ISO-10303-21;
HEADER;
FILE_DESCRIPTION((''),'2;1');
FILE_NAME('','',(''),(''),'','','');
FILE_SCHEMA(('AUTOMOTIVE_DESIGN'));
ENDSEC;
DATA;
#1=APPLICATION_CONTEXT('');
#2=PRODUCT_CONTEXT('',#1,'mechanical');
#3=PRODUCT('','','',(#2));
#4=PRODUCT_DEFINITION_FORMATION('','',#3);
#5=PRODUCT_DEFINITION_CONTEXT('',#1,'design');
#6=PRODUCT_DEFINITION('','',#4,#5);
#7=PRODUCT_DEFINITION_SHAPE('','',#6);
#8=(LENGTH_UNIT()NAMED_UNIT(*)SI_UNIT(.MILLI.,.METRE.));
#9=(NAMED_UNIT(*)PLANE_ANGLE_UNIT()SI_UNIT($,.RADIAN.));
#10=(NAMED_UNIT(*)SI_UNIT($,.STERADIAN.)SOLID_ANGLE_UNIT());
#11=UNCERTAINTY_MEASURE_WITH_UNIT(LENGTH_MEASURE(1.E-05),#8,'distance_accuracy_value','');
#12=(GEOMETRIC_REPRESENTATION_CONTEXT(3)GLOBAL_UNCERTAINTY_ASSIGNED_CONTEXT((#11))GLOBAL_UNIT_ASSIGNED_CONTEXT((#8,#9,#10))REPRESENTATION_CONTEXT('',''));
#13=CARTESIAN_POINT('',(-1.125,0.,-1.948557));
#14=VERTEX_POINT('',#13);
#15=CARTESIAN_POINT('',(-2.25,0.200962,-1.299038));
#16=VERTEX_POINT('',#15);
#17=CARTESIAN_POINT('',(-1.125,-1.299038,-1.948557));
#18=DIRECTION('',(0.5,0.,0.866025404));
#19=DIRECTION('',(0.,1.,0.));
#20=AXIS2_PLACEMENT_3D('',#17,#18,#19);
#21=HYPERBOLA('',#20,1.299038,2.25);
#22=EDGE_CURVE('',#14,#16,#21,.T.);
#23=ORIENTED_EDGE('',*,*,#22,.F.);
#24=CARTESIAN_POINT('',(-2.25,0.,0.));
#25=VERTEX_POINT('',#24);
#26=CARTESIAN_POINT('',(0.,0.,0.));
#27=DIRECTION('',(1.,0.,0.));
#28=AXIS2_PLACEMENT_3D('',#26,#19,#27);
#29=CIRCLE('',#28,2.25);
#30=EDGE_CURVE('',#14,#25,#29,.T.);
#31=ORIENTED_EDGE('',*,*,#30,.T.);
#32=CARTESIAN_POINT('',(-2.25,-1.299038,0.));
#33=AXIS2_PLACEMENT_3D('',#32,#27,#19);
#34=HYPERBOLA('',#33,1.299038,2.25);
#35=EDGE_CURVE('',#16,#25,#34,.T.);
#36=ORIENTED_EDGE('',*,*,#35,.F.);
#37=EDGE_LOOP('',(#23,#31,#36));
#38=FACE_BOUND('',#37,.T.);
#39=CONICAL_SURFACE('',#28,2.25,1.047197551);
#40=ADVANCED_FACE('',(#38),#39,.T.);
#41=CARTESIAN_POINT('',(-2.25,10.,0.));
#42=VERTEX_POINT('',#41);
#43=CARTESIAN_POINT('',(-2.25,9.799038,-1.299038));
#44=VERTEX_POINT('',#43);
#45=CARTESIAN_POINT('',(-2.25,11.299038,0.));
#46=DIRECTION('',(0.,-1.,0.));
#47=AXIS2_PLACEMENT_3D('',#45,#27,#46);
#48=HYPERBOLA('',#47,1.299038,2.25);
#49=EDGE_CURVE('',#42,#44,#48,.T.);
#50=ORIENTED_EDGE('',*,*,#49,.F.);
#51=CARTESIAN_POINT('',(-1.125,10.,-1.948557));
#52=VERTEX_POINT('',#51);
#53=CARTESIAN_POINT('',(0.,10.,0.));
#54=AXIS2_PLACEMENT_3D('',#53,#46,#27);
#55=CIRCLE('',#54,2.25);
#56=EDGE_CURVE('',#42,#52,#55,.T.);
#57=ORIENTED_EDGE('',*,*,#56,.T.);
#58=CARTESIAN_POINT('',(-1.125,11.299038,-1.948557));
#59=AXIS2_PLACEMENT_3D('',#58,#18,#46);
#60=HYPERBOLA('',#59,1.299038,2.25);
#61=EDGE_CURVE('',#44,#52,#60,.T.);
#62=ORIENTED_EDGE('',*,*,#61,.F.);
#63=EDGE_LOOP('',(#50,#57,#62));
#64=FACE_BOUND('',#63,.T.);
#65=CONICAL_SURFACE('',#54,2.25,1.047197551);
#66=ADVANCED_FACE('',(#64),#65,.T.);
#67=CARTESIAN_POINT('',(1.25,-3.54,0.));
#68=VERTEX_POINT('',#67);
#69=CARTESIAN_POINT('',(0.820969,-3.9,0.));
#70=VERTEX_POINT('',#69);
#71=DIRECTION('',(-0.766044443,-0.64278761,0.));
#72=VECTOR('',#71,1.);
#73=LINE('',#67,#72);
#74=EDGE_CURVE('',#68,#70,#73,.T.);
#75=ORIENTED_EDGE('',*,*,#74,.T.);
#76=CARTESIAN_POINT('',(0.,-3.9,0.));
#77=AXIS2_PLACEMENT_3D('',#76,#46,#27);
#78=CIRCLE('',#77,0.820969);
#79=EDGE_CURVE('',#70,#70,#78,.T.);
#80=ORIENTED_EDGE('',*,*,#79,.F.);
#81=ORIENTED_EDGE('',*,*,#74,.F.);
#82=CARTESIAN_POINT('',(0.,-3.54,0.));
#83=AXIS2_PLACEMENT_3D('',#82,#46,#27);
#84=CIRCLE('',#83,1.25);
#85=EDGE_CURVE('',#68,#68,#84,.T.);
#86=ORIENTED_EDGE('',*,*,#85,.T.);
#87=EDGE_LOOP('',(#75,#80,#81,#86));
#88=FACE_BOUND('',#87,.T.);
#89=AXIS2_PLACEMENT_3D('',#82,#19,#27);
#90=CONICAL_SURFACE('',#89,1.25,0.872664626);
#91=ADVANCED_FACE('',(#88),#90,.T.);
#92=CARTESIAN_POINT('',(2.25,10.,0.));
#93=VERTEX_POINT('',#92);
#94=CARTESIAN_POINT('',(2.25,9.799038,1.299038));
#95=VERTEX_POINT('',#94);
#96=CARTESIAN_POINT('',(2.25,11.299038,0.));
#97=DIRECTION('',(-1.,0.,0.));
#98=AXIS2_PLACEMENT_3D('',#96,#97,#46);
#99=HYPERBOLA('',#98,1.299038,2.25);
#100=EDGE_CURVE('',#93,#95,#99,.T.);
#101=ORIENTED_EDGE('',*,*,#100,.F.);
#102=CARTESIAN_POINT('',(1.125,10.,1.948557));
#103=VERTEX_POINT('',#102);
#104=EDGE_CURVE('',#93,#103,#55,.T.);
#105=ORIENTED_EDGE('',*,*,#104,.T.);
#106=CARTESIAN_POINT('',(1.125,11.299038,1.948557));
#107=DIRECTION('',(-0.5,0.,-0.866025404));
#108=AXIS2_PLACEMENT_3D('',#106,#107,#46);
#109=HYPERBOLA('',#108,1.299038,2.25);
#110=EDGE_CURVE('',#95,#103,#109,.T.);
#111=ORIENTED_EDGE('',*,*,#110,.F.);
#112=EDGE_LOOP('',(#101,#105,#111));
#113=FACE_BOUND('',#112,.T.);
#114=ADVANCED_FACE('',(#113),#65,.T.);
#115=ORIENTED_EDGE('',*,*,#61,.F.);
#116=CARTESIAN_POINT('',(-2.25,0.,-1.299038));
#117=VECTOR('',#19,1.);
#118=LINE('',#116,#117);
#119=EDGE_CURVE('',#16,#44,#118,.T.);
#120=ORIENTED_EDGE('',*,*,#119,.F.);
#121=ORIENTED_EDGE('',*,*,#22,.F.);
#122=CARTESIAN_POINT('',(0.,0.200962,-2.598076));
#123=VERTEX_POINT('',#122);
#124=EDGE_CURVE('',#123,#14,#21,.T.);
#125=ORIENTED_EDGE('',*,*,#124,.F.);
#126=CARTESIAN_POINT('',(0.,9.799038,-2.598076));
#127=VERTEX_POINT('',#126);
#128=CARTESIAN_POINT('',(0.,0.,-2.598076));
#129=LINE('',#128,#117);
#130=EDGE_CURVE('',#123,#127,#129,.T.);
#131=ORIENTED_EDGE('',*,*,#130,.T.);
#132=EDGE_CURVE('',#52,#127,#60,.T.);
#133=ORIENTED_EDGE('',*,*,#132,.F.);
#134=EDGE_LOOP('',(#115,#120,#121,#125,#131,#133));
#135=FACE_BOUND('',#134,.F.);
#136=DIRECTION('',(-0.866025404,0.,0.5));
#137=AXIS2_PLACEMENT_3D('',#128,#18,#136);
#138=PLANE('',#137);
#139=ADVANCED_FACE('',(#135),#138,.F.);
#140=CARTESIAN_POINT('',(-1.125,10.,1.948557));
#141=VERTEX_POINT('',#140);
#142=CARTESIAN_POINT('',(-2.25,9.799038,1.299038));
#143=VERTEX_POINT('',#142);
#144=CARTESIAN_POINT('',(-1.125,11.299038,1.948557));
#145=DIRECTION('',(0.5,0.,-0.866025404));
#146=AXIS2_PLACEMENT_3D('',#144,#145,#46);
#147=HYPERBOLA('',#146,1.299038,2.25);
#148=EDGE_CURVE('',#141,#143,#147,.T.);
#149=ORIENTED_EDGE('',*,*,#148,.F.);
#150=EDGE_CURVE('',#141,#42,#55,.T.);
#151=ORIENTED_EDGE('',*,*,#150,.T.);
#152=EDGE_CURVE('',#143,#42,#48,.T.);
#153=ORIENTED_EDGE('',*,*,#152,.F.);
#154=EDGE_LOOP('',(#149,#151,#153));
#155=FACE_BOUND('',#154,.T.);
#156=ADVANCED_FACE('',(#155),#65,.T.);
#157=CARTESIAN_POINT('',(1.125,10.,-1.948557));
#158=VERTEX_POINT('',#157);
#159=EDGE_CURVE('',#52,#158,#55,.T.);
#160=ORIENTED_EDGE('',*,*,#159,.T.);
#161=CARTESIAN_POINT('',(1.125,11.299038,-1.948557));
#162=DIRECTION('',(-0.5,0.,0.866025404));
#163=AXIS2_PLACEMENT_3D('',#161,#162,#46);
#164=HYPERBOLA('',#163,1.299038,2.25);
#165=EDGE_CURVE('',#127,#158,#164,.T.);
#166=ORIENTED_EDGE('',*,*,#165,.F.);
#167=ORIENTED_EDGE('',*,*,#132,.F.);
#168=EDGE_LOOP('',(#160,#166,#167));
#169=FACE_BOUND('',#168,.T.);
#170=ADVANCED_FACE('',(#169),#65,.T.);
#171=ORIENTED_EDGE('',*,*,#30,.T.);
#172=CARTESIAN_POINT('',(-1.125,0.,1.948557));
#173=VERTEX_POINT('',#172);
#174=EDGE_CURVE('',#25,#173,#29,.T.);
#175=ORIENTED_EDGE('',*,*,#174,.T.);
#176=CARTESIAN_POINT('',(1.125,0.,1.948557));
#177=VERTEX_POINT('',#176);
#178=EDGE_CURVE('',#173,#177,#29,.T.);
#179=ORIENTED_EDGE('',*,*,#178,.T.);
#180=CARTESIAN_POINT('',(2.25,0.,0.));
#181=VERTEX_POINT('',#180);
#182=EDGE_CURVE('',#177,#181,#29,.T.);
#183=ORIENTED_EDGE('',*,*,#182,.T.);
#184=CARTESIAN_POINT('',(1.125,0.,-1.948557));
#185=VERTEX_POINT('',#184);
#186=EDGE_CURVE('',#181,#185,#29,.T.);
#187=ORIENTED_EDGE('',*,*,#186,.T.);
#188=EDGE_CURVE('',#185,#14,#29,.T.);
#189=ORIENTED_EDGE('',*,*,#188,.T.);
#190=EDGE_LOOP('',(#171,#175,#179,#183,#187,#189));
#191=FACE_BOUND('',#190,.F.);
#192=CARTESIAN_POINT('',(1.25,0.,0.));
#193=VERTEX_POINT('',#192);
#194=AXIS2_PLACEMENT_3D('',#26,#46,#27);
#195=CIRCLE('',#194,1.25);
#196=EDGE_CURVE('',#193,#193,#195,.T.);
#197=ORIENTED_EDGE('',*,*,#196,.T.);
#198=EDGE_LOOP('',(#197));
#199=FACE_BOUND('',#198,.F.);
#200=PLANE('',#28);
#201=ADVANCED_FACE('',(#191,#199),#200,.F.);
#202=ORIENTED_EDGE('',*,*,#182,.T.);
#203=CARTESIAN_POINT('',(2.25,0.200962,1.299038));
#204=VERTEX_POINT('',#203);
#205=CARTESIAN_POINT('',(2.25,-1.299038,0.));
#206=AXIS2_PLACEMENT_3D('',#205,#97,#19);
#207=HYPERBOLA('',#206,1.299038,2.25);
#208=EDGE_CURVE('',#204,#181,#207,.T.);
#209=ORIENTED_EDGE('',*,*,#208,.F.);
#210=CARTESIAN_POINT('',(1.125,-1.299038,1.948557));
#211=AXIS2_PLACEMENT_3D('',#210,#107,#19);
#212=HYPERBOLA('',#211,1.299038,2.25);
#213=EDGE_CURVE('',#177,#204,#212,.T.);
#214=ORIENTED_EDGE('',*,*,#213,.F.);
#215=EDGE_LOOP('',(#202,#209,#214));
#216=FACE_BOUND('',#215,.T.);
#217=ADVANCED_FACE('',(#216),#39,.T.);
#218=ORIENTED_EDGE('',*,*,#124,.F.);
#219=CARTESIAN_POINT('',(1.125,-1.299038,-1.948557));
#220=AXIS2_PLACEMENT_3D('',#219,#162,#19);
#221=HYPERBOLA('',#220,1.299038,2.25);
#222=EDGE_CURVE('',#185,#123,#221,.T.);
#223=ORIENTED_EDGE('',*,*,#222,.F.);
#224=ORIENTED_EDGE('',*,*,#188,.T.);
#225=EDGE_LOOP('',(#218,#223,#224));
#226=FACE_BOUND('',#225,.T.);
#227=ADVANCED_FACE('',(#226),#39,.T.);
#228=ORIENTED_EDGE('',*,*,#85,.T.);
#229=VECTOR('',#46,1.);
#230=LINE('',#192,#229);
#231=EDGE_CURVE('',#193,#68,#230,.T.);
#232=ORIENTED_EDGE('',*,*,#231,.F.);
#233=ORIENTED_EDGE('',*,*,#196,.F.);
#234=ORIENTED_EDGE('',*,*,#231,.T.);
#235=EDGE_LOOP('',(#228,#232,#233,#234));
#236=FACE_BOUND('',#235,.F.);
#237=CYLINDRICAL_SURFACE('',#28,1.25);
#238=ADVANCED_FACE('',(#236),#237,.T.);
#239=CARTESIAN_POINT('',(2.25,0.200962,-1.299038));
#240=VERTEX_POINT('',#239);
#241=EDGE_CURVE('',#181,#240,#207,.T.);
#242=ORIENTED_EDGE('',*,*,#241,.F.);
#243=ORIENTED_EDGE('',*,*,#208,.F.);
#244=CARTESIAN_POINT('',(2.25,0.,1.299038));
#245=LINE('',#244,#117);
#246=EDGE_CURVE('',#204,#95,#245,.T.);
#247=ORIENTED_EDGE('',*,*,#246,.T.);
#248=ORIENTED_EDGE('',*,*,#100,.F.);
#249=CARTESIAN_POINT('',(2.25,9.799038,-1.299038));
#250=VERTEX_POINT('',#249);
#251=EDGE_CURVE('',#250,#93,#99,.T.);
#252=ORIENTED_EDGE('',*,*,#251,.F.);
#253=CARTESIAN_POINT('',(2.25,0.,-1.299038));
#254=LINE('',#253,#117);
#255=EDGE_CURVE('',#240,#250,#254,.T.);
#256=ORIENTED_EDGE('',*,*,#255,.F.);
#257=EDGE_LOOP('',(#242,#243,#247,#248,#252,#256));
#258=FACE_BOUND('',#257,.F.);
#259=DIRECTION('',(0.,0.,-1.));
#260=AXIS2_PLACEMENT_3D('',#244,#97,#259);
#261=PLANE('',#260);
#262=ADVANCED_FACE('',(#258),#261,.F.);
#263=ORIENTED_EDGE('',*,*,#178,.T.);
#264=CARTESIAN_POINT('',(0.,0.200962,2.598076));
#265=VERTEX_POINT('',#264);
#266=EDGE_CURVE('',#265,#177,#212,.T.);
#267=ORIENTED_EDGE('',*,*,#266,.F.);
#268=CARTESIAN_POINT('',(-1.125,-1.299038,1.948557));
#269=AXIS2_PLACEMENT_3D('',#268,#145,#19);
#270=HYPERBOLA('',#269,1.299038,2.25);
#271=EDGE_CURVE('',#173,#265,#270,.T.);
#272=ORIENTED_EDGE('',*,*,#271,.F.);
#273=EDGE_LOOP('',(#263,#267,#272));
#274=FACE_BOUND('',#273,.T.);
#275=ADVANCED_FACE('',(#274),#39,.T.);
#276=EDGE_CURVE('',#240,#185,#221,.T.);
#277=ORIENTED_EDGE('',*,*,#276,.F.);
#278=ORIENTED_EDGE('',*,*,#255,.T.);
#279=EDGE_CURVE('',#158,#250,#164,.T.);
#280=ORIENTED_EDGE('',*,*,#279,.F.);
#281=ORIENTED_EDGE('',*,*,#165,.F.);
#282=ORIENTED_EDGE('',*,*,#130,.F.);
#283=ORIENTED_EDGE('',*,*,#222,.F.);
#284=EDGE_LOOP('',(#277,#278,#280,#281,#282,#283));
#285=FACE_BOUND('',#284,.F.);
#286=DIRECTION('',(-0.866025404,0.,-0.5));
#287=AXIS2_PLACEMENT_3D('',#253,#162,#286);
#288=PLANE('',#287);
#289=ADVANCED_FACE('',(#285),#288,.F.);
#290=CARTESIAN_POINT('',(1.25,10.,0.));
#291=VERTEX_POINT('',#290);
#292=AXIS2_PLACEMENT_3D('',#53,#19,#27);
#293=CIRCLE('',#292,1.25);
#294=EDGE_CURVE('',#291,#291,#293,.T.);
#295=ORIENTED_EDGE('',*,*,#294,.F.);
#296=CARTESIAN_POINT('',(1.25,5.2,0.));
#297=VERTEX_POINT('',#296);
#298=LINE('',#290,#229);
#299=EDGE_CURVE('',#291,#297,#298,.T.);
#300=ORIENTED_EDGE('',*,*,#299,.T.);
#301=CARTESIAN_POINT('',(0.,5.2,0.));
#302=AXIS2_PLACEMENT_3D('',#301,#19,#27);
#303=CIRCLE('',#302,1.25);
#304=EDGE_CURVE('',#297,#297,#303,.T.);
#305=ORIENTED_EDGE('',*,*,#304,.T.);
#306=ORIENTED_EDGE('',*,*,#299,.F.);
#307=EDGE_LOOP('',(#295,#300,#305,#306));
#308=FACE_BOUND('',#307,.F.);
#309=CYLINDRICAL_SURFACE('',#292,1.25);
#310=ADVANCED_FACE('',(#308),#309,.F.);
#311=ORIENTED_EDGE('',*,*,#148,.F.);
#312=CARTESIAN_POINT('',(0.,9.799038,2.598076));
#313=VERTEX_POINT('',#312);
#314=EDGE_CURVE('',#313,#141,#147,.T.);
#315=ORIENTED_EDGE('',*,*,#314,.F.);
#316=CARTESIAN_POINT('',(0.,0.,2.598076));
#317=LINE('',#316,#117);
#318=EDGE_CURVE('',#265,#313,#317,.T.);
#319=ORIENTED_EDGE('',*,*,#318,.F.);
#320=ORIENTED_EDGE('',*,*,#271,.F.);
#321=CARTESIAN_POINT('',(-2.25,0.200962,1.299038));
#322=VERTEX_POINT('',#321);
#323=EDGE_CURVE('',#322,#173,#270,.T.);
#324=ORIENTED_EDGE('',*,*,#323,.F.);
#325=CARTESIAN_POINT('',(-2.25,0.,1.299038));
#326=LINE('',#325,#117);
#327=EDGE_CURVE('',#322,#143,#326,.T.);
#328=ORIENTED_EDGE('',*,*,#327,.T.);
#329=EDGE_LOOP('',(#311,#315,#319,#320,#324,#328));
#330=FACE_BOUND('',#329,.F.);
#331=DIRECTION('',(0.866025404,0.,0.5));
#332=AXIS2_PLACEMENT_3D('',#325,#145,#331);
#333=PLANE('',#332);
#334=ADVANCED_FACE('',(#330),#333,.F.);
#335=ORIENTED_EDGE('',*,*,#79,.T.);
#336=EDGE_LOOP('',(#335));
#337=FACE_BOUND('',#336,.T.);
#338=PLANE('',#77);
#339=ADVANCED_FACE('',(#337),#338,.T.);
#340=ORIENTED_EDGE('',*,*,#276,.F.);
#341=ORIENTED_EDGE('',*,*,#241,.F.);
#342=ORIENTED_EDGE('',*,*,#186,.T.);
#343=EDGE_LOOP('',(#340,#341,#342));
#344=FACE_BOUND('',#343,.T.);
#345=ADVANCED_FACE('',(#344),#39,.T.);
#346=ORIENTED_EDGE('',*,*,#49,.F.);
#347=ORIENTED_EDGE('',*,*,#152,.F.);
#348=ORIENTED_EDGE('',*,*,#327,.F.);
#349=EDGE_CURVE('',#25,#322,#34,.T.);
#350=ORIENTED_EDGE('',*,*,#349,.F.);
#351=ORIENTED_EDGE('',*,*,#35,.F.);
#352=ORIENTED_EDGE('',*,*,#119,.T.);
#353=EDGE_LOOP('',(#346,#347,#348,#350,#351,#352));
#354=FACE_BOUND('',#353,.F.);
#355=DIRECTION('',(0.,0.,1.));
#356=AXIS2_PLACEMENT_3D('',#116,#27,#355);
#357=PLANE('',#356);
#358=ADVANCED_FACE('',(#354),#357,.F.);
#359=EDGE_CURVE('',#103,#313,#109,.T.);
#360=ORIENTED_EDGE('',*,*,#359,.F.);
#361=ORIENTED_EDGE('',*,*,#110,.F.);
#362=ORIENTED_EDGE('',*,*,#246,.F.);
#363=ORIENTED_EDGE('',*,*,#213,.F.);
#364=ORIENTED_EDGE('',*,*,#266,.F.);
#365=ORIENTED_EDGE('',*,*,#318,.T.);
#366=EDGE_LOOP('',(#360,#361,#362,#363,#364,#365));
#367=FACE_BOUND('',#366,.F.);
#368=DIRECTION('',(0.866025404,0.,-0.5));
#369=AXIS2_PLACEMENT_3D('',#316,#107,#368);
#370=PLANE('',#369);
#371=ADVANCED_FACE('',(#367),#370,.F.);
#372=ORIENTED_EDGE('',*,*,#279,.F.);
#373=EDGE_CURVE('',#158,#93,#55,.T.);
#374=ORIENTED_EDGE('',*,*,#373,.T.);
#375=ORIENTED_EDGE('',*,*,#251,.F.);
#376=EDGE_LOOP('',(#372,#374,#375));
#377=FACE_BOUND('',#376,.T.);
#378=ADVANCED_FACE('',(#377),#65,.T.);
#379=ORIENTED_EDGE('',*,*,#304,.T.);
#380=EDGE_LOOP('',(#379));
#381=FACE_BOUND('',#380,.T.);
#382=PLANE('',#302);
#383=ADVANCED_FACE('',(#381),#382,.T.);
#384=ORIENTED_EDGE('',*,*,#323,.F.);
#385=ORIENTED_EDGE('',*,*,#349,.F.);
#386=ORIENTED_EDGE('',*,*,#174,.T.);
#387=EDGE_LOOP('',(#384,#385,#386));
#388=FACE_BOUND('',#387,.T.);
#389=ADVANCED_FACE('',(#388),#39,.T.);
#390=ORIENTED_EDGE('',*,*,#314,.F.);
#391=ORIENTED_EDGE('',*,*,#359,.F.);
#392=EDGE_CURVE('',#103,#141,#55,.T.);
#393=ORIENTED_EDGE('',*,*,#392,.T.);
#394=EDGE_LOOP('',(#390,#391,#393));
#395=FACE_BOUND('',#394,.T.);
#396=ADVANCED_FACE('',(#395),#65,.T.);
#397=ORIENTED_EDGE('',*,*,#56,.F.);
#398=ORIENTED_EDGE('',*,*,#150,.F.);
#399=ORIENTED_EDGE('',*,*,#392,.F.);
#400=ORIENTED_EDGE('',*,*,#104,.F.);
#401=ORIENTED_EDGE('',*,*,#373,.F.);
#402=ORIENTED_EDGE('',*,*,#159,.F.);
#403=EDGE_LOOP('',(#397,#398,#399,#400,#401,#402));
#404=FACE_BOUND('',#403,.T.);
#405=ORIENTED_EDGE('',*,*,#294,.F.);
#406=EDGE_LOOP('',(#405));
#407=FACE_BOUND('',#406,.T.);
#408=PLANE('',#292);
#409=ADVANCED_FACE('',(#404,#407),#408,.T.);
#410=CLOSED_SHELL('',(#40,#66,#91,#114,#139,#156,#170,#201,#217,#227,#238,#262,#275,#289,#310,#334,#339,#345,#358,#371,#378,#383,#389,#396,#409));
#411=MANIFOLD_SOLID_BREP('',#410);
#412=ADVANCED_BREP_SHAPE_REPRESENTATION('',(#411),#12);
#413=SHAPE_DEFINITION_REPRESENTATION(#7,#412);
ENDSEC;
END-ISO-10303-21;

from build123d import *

# Parameters (mm, degrees)
BOSS_EXTRUDE1_DEPTH = 10
SKETCH2_OUTSIDE_W   = 47.032
SKETCH2_OUTSIDE_H   = 47.728
SKETCH2_OUTSIDE_R   = 2.25
CUT_EXTRUDE1_DEPTH  = 11
CUT_EXTRUDE1_TAPER  = 60
SKETCH3_OUTSIDE_W   = 47.032
SKETCH3_OUTSIDE_H   = 47.728
SKETCH3_OUTSIDE_R   = 2.25
CUT_EXTRUDE2_DEPTH  = 11
CUT_EXTRUDE2_TAPER  = 60
SKETCH4_R           = 1.25
CUT_EXTRUDE3_DEPTH  = 4.8
SKETCH5_R           = 1.25
BOSS_EXTRUDE2_DEPTH = 3.9
CHAMFER1_SIZE       = 0.36
CHAMFER1_SIZE2      = 0.429031293


with BuildPart() as part:
    # Sketch1 → Boss-Extrude1 (new body)
    with BuildSketch(Plane(origin=(0, 0, 0), x_dir=(1, 0, 0), z_dir=(0, 1, 0))):
        Polygon((0, 2.598076211), (-2.25, 1.299038106), (-2.25, -1.299038106), (0, -2.598076211), (2.25, -1.299038106), (2.25, 1.299038106), align=None)
    extrude(amount=BOSS_EXTRUDE1_DEPTH)

    # Sketch2 outside → Cut-Extrude1 (cut, through all)
    with BuildSketch(Plane(origin=(0, 10, 0), x_dir=(1, 0, 0), z_dir=(0, 1, 0))):
        Rectangle(SKETCH2_OUTSIDE_W, SKETCH2_OUTSIDE_H)
        Circle(SKETCH2_OUTSIDE_R, mode=Mode.SUBTRACT)
    extrude(amount=-CUT_EXTRUDE1_DEPTH, taper=CUT_EXTRUDE1_TAPER, mode=Mode.SUBTRACT)

    # Sketch3 outside → Cut-Extrude2 (cut, through all)
    with BuildSketch(Plane.XZ):
        Rectangle(SKETCH3_OUTSIDE_W, SKETCH3_OUTSIDE_H)
        Circle(SKETCH3_OUTSIDE_R, mode=Mode.SUBTRACT)
    extrude(amount=-CUT_EXTRUDE2_DEPTH, taper=CUT_EXTRUDE2_TAPER, mode=Mode.SUBTRACT)

    # Sketch4 → Cut-Extrude3 (cut)
    with BuildSketch(Plane(origin=(0, 10, 0), x_dir=(1, 0, 0), z_dir=(0, 1, 0))):
        Circle(SKETCH4_R)
    extrude(amount=-CUT_EXTRUDE3_DEPTH, mode=Mode.SUBTRACT)

    # Sketch5 → Boss-Extrude2 (add)
    with BuildSketch(Plane.XZ):
        Circle(SKETCH5_R)
    extrude(amount=BOSS_EXTRUDE2_DEPTH)

    # Chamfer1
    chamfer1_edges = [part.edges().sort_by_distance(p)[0] for p in [
        (-1.25, -3.9, 0),
    ]]
    chamfer1_side = [part.faces().sort_by_distance(p)[0] for p in [
        (-1.25, -1.95, 0),
    ]]
    chamfer(chamfer1_edges, length=CHAMFER1_SIZE, length2=CHAMFER1_SIZE2, reference=chamfer1_side[0])


solid = part.part
